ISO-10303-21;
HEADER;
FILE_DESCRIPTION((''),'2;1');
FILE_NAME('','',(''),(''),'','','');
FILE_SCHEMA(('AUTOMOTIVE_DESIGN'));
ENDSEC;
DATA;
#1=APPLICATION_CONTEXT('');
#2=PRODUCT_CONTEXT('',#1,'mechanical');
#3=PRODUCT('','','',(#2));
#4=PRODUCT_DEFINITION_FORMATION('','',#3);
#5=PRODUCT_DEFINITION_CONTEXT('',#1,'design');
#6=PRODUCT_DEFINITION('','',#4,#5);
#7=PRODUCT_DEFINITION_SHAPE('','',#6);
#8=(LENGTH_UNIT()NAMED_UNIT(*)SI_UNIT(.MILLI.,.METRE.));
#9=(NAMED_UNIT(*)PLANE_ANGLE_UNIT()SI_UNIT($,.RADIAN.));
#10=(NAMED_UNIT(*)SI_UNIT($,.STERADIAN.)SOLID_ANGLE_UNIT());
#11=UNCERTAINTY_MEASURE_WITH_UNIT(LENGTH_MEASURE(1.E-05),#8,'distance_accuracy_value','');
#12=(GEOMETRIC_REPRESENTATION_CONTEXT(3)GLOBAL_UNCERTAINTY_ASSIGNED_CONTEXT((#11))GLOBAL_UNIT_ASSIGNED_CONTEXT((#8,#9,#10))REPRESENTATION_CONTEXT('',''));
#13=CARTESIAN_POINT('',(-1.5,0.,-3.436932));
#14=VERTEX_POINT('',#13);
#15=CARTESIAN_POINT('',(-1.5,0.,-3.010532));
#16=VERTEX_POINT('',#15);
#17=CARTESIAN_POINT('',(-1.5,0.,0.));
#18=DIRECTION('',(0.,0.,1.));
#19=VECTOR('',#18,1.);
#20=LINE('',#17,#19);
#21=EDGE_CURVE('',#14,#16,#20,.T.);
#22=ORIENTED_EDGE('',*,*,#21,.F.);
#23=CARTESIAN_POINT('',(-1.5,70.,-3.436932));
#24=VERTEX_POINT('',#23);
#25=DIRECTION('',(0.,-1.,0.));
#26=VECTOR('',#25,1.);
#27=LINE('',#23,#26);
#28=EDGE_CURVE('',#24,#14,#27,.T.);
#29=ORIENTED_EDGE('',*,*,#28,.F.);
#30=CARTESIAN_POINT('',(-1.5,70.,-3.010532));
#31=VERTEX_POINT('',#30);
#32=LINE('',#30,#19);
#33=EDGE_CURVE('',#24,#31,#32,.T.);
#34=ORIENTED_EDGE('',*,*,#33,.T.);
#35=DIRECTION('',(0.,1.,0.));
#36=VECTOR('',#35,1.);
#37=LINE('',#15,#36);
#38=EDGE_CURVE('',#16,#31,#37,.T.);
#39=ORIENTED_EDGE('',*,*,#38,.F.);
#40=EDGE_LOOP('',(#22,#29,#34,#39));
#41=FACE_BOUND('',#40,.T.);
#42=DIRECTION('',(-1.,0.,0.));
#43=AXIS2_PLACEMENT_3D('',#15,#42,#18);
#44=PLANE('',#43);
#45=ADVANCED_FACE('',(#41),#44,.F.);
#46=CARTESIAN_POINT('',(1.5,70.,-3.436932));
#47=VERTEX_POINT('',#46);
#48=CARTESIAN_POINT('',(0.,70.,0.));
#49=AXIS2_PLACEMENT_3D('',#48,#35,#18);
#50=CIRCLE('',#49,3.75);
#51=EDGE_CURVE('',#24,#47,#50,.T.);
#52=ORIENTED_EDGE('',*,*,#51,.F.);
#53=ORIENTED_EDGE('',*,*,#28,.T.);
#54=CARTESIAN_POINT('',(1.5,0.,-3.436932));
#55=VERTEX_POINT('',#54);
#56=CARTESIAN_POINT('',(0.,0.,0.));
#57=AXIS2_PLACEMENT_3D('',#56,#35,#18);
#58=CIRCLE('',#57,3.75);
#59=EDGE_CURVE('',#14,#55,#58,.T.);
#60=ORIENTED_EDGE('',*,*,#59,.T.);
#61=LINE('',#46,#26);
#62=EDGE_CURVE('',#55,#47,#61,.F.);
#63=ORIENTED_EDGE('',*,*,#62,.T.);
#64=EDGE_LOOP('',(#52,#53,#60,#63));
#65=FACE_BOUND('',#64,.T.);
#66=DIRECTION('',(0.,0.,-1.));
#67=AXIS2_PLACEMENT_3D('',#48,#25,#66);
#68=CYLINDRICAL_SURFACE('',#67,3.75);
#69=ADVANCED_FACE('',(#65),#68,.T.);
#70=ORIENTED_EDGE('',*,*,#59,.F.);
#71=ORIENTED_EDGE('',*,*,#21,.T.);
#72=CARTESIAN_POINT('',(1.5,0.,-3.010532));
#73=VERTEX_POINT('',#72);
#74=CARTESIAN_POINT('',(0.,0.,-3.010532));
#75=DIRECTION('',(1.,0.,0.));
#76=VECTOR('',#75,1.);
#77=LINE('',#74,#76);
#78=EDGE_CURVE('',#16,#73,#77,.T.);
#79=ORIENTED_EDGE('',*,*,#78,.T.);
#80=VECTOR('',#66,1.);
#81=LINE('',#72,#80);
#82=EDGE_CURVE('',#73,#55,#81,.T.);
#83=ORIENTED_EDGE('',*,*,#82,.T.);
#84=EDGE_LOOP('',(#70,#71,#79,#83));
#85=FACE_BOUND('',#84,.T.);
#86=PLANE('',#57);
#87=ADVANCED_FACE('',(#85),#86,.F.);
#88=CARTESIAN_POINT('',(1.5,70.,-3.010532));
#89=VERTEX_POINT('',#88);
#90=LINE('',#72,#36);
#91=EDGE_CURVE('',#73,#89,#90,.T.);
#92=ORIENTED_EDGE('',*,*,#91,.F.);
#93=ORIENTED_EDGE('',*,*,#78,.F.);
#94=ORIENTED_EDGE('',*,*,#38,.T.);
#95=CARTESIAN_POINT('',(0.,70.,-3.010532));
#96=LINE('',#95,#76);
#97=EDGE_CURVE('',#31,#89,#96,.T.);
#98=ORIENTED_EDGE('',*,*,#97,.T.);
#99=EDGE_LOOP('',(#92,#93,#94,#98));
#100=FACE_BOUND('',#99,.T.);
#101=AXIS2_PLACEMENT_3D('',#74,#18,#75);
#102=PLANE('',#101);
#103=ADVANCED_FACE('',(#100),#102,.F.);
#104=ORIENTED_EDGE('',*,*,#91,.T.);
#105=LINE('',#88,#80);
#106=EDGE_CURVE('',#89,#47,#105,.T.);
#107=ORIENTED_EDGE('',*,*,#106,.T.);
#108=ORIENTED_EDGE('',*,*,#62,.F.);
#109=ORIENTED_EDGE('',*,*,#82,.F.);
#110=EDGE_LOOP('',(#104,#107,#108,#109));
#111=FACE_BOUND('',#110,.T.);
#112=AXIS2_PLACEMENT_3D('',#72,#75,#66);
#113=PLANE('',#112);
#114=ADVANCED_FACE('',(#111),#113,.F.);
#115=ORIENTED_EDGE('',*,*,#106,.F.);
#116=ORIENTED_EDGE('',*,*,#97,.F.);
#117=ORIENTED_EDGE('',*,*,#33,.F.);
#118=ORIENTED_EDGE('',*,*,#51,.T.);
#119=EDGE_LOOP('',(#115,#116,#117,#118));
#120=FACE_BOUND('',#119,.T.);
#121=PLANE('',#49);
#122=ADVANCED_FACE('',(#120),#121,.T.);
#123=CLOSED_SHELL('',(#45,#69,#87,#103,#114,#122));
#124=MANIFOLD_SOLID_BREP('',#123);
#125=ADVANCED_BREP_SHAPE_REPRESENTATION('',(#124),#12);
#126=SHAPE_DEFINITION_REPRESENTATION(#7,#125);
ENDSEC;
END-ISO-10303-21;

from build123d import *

# Parameters (mm, degrees)
SKETCH1_R           = 3.75
BOSS_EXTRUDE1_DEPTH = 70
CUT_EXTRUDE1_DEPTH  = 71


with BuildPart() as part:
    # Sketch1 → Boss-Extrude1 (new body)
    with BuildSketch(Plane(origin=(0, 0, 0), x_dir=(1, 0, 0), z_dir=(0, 1, 0))):
        Circle(SKETCH1_R)
    extrude(amount=BOSS_EXTRUDE1_DEPTH)

    # Sketch2 → Cut-Extrude1 (cut, through all)
    with BuildSketch(Plane(origin=(0, 70, 0), x_dir=(1, 0, 0), z_dir=(0, 1, 0))):
        Polygon((0, 3.010531791), (-1.5, 3.010531791), (-1.5, 3.75), (1.5, 3.75), (1.5, 3.010531791), align=None)
    extrude(amount=-CUT_EXTRUDE1_DEPTH, mode=Mode.SUBTRACT)


solid = part.part
